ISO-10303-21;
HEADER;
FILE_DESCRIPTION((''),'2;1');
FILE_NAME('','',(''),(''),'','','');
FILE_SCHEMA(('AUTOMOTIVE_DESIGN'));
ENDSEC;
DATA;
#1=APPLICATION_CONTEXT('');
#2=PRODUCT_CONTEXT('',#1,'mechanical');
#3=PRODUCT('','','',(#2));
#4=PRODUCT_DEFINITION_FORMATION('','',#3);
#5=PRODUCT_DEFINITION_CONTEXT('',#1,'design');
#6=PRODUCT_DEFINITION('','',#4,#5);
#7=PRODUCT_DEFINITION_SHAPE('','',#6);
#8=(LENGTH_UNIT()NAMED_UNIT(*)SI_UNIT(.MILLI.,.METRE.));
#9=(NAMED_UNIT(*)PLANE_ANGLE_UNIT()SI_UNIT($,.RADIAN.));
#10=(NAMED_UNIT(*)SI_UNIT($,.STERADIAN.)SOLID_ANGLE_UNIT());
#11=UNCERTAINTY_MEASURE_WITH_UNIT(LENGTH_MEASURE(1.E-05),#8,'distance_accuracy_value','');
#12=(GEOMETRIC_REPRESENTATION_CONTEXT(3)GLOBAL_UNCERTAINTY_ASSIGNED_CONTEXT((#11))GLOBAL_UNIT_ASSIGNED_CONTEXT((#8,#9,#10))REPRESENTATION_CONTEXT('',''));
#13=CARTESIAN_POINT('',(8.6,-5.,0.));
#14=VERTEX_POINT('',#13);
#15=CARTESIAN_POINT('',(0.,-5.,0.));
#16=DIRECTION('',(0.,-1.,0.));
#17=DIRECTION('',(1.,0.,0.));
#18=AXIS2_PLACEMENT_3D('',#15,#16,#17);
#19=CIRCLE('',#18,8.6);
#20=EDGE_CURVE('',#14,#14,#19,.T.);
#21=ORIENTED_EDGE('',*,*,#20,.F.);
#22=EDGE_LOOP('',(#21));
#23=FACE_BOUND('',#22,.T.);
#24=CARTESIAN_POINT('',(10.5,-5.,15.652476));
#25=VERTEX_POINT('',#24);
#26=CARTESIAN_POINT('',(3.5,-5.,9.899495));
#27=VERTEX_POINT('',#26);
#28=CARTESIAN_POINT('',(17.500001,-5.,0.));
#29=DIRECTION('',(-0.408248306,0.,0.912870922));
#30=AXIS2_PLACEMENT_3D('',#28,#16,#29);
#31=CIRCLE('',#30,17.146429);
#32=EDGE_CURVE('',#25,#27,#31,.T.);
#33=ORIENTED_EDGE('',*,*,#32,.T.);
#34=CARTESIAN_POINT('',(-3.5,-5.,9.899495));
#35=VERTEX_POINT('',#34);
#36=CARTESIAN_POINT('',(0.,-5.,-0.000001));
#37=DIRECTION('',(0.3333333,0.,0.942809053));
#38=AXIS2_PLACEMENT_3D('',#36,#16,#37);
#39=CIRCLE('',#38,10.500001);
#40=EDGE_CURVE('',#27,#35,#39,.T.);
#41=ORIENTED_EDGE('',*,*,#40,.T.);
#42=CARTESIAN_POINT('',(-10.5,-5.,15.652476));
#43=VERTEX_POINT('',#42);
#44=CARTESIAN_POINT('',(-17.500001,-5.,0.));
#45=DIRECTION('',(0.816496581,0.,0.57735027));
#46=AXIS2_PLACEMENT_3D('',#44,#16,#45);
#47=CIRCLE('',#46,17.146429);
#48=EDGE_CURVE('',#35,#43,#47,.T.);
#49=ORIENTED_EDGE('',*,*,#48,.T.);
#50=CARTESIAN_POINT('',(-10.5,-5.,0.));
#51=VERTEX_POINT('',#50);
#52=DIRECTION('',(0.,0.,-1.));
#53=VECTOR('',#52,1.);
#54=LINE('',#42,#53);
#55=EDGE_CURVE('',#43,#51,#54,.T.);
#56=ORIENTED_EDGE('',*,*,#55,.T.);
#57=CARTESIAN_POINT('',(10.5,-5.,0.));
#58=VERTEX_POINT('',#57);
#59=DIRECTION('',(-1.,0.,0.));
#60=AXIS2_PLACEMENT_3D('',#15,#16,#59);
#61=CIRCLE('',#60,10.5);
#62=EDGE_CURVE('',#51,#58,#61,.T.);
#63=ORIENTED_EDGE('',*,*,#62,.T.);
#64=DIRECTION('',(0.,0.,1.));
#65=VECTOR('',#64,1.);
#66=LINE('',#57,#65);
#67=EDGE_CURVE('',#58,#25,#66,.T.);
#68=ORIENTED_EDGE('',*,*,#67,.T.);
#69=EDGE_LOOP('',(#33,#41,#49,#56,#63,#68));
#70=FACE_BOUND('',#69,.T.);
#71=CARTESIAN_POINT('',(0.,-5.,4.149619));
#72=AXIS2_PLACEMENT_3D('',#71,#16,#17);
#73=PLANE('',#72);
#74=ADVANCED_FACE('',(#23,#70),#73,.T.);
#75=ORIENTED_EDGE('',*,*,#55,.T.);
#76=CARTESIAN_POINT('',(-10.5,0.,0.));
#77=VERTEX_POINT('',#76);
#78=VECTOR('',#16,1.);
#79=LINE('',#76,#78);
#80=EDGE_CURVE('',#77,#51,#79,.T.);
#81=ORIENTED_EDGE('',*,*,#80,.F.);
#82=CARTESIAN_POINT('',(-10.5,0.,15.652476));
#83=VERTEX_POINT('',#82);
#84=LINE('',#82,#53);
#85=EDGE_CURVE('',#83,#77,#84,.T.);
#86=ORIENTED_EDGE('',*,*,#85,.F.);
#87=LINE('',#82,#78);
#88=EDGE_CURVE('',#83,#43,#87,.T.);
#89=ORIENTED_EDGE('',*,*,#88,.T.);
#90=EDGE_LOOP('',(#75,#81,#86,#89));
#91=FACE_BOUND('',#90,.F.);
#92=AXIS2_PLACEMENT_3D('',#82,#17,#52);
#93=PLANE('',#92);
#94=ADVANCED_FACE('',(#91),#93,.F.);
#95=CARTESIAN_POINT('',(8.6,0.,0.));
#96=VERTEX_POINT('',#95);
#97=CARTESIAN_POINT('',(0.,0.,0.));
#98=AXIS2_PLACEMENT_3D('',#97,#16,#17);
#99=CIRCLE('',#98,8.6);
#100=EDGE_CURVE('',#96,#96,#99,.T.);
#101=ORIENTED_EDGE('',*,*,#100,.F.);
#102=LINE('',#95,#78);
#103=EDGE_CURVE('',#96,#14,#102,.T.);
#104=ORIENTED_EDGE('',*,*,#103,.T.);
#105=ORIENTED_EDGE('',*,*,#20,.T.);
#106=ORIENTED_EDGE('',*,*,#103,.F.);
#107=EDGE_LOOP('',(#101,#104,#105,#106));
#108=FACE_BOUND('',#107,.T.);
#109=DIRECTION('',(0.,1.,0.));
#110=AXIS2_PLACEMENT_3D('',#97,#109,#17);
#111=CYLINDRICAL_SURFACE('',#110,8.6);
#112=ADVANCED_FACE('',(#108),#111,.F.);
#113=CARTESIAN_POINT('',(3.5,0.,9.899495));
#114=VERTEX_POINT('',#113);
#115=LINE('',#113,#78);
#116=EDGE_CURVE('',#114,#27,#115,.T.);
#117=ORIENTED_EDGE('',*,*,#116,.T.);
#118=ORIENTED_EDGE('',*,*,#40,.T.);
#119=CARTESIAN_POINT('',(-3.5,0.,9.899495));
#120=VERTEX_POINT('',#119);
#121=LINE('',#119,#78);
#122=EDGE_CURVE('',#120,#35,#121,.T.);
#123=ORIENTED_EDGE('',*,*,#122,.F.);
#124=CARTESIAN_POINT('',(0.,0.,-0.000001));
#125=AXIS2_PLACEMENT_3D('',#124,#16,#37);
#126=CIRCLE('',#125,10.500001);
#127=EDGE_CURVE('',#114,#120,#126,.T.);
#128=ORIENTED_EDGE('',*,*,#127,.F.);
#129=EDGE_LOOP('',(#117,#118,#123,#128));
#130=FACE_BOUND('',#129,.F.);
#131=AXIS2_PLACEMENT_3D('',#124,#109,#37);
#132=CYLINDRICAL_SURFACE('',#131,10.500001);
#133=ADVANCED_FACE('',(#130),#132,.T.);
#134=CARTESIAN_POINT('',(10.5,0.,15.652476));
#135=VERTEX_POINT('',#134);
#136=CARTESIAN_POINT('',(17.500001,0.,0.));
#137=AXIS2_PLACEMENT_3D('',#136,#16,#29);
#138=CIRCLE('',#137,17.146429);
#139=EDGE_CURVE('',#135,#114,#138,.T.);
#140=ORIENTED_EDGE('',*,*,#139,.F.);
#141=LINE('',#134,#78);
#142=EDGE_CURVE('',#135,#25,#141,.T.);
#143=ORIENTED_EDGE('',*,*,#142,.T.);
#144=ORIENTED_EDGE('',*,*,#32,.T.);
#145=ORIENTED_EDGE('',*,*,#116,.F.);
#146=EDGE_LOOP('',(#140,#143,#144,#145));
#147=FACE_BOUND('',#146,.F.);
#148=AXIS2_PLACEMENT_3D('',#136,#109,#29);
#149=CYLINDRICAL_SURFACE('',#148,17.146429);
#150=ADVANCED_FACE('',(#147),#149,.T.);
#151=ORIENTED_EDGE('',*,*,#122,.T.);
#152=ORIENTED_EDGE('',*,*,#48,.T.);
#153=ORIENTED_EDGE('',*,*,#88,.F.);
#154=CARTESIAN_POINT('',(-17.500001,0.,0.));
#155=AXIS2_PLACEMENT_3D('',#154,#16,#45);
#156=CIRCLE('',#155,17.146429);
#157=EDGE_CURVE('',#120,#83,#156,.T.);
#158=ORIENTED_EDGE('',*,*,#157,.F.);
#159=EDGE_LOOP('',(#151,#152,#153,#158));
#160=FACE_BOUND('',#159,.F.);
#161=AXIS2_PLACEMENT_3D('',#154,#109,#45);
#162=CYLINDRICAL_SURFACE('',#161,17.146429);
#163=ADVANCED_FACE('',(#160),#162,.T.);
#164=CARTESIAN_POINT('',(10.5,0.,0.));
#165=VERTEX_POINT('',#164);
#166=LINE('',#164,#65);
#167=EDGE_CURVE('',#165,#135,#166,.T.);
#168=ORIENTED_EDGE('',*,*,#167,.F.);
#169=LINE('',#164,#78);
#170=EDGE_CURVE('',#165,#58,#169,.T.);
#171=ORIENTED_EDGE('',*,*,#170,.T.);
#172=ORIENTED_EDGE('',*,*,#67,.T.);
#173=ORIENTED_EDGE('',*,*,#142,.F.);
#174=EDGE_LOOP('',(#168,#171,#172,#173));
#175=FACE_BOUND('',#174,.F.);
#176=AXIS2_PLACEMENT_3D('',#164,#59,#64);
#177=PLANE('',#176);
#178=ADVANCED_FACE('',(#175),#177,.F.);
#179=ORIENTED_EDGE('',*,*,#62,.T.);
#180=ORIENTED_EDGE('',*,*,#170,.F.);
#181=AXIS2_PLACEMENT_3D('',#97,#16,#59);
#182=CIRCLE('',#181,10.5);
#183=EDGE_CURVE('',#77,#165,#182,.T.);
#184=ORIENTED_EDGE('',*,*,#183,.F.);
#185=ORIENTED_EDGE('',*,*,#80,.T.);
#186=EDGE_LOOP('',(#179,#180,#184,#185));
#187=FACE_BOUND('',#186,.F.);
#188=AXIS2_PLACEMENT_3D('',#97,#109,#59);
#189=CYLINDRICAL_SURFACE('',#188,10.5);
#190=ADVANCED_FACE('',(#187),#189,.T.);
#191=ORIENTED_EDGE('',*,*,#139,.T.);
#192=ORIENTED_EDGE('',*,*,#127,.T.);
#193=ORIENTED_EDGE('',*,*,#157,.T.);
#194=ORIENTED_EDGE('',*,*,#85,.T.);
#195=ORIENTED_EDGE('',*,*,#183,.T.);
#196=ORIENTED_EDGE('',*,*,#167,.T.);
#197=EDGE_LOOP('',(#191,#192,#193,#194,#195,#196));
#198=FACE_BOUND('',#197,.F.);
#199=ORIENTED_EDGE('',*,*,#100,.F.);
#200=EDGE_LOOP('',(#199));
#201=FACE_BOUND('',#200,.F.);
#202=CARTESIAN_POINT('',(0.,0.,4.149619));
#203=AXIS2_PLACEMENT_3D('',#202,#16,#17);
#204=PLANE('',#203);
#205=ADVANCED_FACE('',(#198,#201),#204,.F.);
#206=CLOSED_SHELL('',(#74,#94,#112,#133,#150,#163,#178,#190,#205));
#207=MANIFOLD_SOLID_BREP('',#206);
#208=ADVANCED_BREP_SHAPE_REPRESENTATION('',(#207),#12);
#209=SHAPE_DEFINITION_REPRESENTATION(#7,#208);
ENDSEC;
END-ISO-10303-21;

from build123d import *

# Parameters (mm, degrees)
F0_R     = 8.6
F1_DEPTH = 5


with BuildPart() as f1:
    # F0 (on Front) → F1 (new body)
    with BuildSketch(Plane.XZ):
        with BuildLine():
            Line((-10.5, 15.652476), (-10.5, 0))
            ThreePointArc((-10.5, 0), (0, -10.5), (10.5, 0))
            Line((10.5, 0), (10.5, 15.652476))
            ThreePointArc((10.5, 15.652476), (6.613118, 13.246728), (3.5, 9.899495))
            ThreePointArc((3.5, 9.899495), (0, 10.5), (-3.5, 9.899495))
            ThreePointArc((-3.5, 9.899495), (-6.613118, 13.246728), (-10.5, 15.652476))
        make_face()
        Circle(F0_R, mode=Mode.SUBTRACT)
    extrude(amount=F1_DEPTH)


solid = f1.part
